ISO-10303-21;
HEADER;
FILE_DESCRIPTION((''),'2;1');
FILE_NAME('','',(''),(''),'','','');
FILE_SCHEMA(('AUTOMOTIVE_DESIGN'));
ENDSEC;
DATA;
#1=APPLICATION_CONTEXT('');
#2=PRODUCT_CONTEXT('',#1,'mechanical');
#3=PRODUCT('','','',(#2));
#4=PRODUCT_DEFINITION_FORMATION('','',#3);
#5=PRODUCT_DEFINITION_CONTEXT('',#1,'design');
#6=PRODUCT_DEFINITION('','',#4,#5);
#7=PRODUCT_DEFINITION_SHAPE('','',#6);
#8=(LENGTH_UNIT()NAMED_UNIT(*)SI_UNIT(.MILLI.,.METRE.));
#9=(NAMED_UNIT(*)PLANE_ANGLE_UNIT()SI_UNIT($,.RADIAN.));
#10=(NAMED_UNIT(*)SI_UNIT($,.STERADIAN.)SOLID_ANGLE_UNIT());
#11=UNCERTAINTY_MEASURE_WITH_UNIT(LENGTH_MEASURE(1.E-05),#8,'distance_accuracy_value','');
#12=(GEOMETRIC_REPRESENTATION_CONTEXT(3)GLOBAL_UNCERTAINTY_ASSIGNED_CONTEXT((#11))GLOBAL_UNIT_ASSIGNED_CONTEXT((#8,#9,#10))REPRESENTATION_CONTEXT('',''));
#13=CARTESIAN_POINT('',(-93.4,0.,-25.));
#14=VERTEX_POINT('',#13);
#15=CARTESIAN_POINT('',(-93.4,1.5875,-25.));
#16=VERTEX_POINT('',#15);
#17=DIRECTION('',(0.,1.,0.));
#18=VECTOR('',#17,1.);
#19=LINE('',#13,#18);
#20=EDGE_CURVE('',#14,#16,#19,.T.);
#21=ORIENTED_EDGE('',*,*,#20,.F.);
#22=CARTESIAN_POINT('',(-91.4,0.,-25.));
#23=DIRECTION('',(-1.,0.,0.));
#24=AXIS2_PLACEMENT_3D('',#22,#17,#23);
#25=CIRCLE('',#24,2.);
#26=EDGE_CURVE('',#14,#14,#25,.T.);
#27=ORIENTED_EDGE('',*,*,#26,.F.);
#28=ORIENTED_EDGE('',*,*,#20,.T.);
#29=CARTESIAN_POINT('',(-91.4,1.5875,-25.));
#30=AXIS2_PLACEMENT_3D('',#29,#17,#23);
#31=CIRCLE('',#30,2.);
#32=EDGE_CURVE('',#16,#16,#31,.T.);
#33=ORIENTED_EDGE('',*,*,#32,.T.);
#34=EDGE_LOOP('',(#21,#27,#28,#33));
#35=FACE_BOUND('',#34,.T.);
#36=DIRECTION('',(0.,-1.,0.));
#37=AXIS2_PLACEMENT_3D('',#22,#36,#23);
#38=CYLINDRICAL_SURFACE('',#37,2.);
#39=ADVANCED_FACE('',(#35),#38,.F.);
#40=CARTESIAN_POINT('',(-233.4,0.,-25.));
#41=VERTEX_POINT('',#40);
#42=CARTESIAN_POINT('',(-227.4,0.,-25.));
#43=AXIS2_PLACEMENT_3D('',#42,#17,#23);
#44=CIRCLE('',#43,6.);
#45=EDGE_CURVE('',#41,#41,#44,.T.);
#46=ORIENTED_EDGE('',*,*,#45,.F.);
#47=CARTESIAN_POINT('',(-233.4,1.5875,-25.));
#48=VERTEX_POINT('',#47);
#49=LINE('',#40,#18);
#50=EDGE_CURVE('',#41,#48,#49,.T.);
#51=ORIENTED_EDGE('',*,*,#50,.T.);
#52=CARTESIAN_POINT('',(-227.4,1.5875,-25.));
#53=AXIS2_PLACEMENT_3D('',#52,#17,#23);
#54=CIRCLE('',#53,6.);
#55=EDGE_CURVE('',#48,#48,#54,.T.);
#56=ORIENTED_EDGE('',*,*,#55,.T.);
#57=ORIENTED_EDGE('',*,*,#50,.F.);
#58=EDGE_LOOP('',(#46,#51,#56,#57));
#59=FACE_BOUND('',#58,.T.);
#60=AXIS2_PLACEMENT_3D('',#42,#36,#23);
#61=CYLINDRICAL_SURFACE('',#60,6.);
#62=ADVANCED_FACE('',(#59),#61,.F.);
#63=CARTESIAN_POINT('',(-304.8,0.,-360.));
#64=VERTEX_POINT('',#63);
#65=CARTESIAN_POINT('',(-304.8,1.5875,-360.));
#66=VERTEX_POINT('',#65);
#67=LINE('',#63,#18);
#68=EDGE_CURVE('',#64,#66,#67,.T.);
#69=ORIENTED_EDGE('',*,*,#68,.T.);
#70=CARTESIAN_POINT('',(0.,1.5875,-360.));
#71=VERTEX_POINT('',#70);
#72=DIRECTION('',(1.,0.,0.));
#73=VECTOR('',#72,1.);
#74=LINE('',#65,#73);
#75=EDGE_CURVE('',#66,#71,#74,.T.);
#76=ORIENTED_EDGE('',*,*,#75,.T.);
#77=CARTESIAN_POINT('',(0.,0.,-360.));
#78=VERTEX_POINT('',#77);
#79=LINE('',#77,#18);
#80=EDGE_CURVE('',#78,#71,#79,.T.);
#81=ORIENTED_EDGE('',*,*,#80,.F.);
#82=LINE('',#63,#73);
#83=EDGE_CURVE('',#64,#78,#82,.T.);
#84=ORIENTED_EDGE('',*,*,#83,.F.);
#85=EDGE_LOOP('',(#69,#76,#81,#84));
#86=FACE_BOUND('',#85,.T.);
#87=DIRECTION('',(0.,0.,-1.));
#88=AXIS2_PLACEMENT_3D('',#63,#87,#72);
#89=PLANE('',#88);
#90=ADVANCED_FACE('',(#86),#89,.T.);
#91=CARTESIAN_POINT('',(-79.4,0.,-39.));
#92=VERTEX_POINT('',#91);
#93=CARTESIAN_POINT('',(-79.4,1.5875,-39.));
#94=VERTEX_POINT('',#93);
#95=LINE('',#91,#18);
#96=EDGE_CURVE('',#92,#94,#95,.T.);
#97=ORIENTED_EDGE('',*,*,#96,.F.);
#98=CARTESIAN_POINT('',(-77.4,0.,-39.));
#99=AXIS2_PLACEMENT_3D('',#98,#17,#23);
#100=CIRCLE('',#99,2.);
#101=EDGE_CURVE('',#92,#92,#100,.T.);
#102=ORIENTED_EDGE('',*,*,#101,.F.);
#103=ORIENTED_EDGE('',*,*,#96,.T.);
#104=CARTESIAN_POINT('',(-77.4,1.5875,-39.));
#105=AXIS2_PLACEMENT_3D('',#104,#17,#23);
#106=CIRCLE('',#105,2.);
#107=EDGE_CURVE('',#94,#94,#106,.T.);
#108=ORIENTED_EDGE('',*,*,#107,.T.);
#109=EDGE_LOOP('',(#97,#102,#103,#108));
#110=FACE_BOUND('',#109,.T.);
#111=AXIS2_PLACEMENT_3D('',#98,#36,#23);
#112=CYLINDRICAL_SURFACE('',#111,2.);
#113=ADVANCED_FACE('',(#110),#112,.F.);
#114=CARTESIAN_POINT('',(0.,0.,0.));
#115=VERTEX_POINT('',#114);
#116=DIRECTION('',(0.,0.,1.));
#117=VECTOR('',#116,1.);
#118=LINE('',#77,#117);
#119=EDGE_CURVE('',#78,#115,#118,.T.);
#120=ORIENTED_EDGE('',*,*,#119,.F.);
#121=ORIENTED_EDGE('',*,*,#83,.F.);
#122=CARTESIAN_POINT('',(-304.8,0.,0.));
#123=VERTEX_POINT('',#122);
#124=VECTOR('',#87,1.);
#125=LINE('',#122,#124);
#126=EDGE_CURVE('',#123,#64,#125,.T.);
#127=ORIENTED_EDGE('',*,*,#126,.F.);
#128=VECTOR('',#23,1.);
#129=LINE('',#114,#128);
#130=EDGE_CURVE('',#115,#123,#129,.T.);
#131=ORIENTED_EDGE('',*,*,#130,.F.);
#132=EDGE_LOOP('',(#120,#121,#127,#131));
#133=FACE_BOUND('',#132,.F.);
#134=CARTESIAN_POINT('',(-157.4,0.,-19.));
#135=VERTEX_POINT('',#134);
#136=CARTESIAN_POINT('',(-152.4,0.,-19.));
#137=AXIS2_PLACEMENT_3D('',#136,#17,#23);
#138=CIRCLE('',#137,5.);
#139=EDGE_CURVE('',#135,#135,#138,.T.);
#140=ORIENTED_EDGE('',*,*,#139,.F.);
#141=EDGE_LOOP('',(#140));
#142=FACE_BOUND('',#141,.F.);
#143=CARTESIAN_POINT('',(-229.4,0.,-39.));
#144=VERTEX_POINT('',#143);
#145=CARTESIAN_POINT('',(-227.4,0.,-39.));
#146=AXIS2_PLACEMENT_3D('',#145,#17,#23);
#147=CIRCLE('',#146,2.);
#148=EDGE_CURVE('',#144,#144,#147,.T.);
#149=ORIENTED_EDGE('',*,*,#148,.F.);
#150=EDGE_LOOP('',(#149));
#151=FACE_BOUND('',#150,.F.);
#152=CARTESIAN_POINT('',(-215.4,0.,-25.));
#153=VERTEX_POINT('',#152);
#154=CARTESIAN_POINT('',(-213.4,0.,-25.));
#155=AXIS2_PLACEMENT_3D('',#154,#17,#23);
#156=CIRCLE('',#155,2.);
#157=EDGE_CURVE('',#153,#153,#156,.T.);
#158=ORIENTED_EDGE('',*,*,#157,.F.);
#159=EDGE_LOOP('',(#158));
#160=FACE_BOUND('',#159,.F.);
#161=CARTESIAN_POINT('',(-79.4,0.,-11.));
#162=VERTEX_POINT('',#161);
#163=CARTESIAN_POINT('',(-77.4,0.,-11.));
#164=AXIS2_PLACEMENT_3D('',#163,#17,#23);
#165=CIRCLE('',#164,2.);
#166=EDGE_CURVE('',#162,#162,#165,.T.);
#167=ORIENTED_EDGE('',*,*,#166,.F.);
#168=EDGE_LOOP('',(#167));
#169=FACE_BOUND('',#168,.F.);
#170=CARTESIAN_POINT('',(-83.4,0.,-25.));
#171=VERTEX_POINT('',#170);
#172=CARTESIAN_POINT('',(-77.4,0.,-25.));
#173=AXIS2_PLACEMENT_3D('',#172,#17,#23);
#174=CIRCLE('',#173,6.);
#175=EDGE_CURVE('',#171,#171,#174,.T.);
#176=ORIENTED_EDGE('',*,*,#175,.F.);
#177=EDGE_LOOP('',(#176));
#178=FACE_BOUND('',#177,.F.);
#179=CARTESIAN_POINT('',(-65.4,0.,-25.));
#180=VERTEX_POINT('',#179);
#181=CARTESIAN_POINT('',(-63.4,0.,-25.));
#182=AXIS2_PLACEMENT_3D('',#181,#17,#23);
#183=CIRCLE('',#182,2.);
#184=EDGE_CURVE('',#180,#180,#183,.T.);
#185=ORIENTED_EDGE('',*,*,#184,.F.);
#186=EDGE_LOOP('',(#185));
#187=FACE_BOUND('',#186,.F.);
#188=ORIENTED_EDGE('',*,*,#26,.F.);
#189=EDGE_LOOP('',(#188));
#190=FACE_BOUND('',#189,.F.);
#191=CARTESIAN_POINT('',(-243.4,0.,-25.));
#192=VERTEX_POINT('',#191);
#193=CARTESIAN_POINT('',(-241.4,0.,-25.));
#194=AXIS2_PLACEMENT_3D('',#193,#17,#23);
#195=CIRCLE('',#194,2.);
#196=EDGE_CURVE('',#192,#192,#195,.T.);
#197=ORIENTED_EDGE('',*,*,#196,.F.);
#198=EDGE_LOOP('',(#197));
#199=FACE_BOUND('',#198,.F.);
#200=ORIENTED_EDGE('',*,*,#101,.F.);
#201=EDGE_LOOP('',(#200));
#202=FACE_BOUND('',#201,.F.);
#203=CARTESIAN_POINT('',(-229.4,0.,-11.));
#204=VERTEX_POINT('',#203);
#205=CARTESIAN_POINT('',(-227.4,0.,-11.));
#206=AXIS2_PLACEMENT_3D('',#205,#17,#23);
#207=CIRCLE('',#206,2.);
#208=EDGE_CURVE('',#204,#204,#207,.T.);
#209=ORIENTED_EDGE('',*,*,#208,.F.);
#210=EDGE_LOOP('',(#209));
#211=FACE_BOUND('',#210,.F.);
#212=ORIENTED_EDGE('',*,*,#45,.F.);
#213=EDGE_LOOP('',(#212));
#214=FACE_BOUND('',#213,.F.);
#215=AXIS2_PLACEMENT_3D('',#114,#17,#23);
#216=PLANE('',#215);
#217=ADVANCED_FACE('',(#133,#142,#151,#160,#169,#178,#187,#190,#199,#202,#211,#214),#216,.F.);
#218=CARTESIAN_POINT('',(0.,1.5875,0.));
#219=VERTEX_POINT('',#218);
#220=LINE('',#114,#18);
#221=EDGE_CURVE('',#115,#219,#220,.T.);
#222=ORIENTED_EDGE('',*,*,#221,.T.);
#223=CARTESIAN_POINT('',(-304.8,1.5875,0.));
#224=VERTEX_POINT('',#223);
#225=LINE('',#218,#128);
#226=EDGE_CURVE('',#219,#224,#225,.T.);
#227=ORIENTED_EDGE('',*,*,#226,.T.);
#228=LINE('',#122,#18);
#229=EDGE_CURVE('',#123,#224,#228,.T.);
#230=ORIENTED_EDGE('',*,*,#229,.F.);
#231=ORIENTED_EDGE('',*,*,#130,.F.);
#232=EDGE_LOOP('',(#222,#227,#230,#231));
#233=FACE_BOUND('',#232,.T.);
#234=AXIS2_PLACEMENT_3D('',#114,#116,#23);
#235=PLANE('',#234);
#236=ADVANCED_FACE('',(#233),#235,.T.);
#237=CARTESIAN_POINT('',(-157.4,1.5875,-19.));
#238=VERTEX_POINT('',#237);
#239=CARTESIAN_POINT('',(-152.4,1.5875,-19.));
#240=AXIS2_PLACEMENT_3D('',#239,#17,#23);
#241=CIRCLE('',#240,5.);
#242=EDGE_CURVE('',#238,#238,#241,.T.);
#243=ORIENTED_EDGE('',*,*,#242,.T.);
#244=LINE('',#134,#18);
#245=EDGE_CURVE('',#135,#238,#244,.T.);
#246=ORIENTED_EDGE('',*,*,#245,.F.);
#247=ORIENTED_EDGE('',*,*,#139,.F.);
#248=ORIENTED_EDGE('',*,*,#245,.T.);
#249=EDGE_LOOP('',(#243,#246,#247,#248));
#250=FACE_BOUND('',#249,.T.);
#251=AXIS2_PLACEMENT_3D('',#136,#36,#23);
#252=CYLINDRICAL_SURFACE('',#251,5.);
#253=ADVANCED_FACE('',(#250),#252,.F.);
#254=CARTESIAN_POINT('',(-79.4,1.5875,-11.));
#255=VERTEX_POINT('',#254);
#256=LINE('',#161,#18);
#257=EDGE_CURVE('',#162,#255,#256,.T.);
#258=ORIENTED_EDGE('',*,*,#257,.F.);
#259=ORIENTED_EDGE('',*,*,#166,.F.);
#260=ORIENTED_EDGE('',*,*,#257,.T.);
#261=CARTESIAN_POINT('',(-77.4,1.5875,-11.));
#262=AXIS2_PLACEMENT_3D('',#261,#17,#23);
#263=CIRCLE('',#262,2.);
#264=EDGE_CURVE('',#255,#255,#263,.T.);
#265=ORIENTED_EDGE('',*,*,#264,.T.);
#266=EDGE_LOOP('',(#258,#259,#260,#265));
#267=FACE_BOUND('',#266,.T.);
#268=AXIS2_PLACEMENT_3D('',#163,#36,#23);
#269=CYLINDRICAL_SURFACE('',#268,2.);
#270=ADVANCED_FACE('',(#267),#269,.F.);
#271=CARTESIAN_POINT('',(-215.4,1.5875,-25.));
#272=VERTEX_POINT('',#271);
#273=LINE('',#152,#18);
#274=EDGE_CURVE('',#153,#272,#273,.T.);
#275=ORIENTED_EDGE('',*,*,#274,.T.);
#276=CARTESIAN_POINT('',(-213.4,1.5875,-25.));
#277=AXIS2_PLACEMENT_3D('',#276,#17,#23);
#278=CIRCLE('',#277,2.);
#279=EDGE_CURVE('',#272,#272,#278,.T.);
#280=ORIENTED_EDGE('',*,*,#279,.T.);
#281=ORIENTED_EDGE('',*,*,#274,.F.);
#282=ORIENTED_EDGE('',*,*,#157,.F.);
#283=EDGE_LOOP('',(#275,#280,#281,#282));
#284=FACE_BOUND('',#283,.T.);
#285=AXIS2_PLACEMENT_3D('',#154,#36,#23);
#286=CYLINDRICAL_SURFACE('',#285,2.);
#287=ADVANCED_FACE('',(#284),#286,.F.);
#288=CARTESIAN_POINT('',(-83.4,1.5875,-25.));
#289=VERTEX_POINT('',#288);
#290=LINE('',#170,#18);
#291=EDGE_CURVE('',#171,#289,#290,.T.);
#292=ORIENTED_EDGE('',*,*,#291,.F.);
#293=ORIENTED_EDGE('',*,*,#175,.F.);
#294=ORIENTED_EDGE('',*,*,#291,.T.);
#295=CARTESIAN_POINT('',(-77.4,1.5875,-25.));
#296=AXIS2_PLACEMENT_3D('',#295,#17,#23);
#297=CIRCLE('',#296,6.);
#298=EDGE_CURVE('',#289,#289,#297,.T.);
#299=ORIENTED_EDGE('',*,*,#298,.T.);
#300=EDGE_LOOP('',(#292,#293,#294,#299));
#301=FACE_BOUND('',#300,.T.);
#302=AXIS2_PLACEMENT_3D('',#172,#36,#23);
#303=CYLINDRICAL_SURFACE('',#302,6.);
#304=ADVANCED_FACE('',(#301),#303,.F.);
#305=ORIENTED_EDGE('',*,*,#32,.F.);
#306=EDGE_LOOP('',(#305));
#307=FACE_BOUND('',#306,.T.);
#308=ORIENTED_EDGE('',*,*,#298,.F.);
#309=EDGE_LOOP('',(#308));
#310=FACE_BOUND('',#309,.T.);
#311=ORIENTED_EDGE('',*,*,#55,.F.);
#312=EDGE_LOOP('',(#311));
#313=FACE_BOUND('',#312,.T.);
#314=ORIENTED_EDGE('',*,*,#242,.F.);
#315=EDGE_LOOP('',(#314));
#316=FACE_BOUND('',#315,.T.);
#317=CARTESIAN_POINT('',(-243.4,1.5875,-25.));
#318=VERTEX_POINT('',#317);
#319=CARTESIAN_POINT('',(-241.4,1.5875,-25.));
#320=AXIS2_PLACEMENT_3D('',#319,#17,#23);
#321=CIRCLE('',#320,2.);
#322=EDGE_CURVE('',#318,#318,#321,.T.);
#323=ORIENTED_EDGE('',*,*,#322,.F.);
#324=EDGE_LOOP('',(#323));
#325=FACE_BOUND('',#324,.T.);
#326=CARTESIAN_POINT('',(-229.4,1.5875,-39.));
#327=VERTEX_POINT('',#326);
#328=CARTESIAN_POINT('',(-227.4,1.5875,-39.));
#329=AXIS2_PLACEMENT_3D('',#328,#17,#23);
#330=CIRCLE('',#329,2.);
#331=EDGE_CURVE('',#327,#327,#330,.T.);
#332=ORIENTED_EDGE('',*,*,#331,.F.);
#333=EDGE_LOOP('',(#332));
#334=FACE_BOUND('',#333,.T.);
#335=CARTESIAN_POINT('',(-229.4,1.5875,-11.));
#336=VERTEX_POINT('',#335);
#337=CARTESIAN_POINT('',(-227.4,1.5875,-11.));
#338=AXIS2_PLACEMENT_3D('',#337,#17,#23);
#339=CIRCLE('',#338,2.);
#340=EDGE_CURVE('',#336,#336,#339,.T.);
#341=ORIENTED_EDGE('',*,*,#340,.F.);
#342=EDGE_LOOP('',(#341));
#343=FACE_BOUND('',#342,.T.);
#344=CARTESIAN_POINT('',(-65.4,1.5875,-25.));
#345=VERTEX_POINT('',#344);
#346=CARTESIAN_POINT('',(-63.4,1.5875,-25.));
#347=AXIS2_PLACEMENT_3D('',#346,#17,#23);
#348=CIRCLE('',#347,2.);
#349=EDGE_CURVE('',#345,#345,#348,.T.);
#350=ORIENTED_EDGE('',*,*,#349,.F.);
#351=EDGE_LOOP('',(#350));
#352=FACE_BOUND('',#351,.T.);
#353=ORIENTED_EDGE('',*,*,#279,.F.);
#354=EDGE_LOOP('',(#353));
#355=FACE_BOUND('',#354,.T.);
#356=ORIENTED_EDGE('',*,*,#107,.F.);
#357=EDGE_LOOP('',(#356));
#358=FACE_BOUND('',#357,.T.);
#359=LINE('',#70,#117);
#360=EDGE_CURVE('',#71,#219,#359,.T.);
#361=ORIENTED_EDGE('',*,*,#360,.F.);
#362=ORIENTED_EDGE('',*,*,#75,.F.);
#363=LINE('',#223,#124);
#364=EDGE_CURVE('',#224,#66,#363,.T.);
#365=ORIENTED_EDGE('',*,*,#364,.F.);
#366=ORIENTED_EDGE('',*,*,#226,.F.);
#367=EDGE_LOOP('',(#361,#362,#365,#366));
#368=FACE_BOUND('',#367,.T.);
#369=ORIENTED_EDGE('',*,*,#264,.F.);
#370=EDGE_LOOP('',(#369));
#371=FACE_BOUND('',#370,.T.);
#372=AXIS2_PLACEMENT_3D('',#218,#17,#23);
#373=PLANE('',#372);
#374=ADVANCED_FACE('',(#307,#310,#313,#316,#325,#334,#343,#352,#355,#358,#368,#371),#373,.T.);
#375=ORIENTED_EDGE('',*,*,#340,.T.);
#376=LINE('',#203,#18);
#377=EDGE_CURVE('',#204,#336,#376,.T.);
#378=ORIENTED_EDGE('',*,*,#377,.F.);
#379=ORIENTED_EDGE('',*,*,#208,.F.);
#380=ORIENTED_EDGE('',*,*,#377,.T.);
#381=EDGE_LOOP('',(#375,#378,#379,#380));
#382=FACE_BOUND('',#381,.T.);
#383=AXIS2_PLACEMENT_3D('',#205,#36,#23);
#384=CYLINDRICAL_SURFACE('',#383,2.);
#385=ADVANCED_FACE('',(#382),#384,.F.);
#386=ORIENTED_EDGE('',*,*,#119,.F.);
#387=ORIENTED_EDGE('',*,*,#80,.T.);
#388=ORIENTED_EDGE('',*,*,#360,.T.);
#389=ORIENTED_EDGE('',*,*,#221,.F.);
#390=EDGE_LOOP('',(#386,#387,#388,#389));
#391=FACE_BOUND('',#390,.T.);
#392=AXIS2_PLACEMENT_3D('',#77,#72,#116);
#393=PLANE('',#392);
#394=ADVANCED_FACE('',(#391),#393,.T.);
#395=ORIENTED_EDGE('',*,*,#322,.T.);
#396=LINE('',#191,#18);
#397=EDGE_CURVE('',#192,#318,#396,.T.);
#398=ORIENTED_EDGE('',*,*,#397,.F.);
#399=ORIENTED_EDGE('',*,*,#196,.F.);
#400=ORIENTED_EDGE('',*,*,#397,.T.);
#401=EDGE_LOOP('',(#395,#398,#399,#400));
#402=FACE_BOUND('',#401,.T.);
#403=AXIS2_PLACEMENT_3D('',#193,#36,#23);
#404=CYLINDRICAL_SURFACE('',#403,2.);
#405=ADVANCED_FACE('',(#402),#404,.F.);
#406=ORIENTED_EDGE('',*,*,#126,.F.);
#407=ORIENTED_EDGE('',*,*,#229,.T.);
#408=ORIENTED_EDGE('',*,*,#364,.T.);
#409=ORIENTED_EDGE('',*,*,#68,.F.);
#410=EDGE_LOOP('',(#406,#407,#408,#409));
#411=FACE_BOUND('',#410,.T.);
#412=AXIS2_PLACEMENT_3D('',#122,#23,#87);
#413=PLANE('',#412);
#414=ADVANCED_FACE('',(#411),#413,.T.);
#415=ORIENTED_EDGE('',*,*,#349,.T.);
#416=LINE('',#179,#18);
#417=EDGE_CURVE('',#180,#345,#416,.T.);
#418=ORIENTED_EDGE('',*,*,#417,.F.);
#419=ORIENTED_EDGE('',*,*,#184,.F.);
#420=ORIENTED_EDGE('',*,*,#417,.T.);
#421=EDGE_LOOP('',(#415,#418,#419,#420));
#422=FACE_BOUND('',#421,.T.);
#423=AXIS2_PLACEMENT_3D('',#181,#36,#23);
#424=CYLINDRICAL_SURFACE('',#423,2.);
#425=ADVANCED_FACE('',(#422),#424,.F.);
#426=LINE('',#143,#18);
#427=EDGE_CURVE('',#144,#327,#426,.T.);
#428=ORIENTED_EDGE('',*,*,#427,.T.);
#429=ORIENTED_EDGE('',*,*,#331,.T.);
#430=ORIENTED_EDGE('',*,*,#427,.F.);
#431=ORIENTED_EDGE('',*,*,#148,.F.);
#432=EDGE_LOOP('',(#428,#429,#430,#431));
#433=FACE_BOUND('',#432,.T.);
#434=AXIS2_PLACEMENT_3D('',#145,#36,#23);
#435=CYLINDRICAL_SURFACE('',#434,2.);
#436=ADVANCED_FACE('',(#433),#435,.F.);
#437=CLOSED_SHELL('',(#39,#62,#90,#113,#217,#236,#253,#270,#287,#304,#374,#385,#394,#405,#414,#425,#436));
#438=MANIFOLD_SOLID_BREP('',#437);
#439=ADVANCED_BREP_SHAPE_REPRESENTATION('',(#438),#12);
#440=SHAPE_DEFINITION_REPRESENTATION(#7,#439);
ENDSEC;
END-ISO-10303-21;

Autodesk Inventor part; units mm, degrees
ref_plane "YZ Plane" through (0, 0, 0) normal (1, 0, 0) x (0, 1, 0)
ref_plane "XZ Plane" through (0, 0, 0) normal (0, 1, 0) x (-1, 0, 0)
ref_plane "XY Plane" through (0, 0, 0) normal (0, 0, 1) x (1, 0, 0)
sketch "Sketch9" plane through (0, 0, 0) normal (0, 1, 0) x (-1, 0, 0)
  line L0 (0, 0) -> (304.8, 0)
  line L1 (304.8, 0) -> (304.8, -360)
  line L2 (304.8, -360) -> (0, -360)
  line L3 (0, -360) -> (0, 0)
  line L4 (152.4, 0) -> (152.4, -19) construction
  circle A0 centre (152.4, -19) radius 5
  line L5 (20.9546, -25) -> (290.8502, -25) construction
  line L6 (152.4, 0) -> (227.4, 0) construction
  line L7 (227.4, -43.4011) -> (227.4, 0) construction
  line L8 (152.4, 0) -> (77.4, 0) construction
  line L9 (77.4, -41.0151) -> (77.4, 0) construction
  circle A1 centre (77.4, -25) radius 6
  circle A2 centre (227.4, -25) radius 6
  circle A3 centre (77.4, -25) radius 14 construction
  circle A4 centre (77.4, -11) radius 2
  circle A5 centre (91.4, -25) radius 2
  circle A6 centre (77.4, -39) radius 2
  circle A7 centre (63.4, -25) radius 2
  circle A8 centre (227.4, -25) radius 14 construction
  circle A9 centre (227.4, -11) radius 2
  circle A10 centre (241.4, -25) radius 2
  circle A11 centre (227.4, -39) radius 2
  circle A12 centre (213.4, -25) radius 2
  dimension "d22" = 304.8
  dimension "d23" = 360
  dimension "d24" = 19
  dimension "d25" = 10
  dimension "d27" = 12
  dimension "d28" = 12
  dimension "d30" = 28
  dimension "d31" = 4
  dimension "d32" = 4
  dimension "d33" = 4
  dimension "d34" = 4
  dimension "d35" = 75
  dimension "d36" = 11
  dimension "d37" = 77.4
  dimension "d38" = 25
  dimension "d39" = 28
  dimension "d40" = 4
  dimension "d41" = 4
  dimension "d42" = 4
  dimension "d43" = 4
  dimension "d44" = 11
extrude "Extrusion5" add sketch "Sketch9" along normal blind 1.5875
properties part number "prototype build plate small" material "Aluminum 6061"
